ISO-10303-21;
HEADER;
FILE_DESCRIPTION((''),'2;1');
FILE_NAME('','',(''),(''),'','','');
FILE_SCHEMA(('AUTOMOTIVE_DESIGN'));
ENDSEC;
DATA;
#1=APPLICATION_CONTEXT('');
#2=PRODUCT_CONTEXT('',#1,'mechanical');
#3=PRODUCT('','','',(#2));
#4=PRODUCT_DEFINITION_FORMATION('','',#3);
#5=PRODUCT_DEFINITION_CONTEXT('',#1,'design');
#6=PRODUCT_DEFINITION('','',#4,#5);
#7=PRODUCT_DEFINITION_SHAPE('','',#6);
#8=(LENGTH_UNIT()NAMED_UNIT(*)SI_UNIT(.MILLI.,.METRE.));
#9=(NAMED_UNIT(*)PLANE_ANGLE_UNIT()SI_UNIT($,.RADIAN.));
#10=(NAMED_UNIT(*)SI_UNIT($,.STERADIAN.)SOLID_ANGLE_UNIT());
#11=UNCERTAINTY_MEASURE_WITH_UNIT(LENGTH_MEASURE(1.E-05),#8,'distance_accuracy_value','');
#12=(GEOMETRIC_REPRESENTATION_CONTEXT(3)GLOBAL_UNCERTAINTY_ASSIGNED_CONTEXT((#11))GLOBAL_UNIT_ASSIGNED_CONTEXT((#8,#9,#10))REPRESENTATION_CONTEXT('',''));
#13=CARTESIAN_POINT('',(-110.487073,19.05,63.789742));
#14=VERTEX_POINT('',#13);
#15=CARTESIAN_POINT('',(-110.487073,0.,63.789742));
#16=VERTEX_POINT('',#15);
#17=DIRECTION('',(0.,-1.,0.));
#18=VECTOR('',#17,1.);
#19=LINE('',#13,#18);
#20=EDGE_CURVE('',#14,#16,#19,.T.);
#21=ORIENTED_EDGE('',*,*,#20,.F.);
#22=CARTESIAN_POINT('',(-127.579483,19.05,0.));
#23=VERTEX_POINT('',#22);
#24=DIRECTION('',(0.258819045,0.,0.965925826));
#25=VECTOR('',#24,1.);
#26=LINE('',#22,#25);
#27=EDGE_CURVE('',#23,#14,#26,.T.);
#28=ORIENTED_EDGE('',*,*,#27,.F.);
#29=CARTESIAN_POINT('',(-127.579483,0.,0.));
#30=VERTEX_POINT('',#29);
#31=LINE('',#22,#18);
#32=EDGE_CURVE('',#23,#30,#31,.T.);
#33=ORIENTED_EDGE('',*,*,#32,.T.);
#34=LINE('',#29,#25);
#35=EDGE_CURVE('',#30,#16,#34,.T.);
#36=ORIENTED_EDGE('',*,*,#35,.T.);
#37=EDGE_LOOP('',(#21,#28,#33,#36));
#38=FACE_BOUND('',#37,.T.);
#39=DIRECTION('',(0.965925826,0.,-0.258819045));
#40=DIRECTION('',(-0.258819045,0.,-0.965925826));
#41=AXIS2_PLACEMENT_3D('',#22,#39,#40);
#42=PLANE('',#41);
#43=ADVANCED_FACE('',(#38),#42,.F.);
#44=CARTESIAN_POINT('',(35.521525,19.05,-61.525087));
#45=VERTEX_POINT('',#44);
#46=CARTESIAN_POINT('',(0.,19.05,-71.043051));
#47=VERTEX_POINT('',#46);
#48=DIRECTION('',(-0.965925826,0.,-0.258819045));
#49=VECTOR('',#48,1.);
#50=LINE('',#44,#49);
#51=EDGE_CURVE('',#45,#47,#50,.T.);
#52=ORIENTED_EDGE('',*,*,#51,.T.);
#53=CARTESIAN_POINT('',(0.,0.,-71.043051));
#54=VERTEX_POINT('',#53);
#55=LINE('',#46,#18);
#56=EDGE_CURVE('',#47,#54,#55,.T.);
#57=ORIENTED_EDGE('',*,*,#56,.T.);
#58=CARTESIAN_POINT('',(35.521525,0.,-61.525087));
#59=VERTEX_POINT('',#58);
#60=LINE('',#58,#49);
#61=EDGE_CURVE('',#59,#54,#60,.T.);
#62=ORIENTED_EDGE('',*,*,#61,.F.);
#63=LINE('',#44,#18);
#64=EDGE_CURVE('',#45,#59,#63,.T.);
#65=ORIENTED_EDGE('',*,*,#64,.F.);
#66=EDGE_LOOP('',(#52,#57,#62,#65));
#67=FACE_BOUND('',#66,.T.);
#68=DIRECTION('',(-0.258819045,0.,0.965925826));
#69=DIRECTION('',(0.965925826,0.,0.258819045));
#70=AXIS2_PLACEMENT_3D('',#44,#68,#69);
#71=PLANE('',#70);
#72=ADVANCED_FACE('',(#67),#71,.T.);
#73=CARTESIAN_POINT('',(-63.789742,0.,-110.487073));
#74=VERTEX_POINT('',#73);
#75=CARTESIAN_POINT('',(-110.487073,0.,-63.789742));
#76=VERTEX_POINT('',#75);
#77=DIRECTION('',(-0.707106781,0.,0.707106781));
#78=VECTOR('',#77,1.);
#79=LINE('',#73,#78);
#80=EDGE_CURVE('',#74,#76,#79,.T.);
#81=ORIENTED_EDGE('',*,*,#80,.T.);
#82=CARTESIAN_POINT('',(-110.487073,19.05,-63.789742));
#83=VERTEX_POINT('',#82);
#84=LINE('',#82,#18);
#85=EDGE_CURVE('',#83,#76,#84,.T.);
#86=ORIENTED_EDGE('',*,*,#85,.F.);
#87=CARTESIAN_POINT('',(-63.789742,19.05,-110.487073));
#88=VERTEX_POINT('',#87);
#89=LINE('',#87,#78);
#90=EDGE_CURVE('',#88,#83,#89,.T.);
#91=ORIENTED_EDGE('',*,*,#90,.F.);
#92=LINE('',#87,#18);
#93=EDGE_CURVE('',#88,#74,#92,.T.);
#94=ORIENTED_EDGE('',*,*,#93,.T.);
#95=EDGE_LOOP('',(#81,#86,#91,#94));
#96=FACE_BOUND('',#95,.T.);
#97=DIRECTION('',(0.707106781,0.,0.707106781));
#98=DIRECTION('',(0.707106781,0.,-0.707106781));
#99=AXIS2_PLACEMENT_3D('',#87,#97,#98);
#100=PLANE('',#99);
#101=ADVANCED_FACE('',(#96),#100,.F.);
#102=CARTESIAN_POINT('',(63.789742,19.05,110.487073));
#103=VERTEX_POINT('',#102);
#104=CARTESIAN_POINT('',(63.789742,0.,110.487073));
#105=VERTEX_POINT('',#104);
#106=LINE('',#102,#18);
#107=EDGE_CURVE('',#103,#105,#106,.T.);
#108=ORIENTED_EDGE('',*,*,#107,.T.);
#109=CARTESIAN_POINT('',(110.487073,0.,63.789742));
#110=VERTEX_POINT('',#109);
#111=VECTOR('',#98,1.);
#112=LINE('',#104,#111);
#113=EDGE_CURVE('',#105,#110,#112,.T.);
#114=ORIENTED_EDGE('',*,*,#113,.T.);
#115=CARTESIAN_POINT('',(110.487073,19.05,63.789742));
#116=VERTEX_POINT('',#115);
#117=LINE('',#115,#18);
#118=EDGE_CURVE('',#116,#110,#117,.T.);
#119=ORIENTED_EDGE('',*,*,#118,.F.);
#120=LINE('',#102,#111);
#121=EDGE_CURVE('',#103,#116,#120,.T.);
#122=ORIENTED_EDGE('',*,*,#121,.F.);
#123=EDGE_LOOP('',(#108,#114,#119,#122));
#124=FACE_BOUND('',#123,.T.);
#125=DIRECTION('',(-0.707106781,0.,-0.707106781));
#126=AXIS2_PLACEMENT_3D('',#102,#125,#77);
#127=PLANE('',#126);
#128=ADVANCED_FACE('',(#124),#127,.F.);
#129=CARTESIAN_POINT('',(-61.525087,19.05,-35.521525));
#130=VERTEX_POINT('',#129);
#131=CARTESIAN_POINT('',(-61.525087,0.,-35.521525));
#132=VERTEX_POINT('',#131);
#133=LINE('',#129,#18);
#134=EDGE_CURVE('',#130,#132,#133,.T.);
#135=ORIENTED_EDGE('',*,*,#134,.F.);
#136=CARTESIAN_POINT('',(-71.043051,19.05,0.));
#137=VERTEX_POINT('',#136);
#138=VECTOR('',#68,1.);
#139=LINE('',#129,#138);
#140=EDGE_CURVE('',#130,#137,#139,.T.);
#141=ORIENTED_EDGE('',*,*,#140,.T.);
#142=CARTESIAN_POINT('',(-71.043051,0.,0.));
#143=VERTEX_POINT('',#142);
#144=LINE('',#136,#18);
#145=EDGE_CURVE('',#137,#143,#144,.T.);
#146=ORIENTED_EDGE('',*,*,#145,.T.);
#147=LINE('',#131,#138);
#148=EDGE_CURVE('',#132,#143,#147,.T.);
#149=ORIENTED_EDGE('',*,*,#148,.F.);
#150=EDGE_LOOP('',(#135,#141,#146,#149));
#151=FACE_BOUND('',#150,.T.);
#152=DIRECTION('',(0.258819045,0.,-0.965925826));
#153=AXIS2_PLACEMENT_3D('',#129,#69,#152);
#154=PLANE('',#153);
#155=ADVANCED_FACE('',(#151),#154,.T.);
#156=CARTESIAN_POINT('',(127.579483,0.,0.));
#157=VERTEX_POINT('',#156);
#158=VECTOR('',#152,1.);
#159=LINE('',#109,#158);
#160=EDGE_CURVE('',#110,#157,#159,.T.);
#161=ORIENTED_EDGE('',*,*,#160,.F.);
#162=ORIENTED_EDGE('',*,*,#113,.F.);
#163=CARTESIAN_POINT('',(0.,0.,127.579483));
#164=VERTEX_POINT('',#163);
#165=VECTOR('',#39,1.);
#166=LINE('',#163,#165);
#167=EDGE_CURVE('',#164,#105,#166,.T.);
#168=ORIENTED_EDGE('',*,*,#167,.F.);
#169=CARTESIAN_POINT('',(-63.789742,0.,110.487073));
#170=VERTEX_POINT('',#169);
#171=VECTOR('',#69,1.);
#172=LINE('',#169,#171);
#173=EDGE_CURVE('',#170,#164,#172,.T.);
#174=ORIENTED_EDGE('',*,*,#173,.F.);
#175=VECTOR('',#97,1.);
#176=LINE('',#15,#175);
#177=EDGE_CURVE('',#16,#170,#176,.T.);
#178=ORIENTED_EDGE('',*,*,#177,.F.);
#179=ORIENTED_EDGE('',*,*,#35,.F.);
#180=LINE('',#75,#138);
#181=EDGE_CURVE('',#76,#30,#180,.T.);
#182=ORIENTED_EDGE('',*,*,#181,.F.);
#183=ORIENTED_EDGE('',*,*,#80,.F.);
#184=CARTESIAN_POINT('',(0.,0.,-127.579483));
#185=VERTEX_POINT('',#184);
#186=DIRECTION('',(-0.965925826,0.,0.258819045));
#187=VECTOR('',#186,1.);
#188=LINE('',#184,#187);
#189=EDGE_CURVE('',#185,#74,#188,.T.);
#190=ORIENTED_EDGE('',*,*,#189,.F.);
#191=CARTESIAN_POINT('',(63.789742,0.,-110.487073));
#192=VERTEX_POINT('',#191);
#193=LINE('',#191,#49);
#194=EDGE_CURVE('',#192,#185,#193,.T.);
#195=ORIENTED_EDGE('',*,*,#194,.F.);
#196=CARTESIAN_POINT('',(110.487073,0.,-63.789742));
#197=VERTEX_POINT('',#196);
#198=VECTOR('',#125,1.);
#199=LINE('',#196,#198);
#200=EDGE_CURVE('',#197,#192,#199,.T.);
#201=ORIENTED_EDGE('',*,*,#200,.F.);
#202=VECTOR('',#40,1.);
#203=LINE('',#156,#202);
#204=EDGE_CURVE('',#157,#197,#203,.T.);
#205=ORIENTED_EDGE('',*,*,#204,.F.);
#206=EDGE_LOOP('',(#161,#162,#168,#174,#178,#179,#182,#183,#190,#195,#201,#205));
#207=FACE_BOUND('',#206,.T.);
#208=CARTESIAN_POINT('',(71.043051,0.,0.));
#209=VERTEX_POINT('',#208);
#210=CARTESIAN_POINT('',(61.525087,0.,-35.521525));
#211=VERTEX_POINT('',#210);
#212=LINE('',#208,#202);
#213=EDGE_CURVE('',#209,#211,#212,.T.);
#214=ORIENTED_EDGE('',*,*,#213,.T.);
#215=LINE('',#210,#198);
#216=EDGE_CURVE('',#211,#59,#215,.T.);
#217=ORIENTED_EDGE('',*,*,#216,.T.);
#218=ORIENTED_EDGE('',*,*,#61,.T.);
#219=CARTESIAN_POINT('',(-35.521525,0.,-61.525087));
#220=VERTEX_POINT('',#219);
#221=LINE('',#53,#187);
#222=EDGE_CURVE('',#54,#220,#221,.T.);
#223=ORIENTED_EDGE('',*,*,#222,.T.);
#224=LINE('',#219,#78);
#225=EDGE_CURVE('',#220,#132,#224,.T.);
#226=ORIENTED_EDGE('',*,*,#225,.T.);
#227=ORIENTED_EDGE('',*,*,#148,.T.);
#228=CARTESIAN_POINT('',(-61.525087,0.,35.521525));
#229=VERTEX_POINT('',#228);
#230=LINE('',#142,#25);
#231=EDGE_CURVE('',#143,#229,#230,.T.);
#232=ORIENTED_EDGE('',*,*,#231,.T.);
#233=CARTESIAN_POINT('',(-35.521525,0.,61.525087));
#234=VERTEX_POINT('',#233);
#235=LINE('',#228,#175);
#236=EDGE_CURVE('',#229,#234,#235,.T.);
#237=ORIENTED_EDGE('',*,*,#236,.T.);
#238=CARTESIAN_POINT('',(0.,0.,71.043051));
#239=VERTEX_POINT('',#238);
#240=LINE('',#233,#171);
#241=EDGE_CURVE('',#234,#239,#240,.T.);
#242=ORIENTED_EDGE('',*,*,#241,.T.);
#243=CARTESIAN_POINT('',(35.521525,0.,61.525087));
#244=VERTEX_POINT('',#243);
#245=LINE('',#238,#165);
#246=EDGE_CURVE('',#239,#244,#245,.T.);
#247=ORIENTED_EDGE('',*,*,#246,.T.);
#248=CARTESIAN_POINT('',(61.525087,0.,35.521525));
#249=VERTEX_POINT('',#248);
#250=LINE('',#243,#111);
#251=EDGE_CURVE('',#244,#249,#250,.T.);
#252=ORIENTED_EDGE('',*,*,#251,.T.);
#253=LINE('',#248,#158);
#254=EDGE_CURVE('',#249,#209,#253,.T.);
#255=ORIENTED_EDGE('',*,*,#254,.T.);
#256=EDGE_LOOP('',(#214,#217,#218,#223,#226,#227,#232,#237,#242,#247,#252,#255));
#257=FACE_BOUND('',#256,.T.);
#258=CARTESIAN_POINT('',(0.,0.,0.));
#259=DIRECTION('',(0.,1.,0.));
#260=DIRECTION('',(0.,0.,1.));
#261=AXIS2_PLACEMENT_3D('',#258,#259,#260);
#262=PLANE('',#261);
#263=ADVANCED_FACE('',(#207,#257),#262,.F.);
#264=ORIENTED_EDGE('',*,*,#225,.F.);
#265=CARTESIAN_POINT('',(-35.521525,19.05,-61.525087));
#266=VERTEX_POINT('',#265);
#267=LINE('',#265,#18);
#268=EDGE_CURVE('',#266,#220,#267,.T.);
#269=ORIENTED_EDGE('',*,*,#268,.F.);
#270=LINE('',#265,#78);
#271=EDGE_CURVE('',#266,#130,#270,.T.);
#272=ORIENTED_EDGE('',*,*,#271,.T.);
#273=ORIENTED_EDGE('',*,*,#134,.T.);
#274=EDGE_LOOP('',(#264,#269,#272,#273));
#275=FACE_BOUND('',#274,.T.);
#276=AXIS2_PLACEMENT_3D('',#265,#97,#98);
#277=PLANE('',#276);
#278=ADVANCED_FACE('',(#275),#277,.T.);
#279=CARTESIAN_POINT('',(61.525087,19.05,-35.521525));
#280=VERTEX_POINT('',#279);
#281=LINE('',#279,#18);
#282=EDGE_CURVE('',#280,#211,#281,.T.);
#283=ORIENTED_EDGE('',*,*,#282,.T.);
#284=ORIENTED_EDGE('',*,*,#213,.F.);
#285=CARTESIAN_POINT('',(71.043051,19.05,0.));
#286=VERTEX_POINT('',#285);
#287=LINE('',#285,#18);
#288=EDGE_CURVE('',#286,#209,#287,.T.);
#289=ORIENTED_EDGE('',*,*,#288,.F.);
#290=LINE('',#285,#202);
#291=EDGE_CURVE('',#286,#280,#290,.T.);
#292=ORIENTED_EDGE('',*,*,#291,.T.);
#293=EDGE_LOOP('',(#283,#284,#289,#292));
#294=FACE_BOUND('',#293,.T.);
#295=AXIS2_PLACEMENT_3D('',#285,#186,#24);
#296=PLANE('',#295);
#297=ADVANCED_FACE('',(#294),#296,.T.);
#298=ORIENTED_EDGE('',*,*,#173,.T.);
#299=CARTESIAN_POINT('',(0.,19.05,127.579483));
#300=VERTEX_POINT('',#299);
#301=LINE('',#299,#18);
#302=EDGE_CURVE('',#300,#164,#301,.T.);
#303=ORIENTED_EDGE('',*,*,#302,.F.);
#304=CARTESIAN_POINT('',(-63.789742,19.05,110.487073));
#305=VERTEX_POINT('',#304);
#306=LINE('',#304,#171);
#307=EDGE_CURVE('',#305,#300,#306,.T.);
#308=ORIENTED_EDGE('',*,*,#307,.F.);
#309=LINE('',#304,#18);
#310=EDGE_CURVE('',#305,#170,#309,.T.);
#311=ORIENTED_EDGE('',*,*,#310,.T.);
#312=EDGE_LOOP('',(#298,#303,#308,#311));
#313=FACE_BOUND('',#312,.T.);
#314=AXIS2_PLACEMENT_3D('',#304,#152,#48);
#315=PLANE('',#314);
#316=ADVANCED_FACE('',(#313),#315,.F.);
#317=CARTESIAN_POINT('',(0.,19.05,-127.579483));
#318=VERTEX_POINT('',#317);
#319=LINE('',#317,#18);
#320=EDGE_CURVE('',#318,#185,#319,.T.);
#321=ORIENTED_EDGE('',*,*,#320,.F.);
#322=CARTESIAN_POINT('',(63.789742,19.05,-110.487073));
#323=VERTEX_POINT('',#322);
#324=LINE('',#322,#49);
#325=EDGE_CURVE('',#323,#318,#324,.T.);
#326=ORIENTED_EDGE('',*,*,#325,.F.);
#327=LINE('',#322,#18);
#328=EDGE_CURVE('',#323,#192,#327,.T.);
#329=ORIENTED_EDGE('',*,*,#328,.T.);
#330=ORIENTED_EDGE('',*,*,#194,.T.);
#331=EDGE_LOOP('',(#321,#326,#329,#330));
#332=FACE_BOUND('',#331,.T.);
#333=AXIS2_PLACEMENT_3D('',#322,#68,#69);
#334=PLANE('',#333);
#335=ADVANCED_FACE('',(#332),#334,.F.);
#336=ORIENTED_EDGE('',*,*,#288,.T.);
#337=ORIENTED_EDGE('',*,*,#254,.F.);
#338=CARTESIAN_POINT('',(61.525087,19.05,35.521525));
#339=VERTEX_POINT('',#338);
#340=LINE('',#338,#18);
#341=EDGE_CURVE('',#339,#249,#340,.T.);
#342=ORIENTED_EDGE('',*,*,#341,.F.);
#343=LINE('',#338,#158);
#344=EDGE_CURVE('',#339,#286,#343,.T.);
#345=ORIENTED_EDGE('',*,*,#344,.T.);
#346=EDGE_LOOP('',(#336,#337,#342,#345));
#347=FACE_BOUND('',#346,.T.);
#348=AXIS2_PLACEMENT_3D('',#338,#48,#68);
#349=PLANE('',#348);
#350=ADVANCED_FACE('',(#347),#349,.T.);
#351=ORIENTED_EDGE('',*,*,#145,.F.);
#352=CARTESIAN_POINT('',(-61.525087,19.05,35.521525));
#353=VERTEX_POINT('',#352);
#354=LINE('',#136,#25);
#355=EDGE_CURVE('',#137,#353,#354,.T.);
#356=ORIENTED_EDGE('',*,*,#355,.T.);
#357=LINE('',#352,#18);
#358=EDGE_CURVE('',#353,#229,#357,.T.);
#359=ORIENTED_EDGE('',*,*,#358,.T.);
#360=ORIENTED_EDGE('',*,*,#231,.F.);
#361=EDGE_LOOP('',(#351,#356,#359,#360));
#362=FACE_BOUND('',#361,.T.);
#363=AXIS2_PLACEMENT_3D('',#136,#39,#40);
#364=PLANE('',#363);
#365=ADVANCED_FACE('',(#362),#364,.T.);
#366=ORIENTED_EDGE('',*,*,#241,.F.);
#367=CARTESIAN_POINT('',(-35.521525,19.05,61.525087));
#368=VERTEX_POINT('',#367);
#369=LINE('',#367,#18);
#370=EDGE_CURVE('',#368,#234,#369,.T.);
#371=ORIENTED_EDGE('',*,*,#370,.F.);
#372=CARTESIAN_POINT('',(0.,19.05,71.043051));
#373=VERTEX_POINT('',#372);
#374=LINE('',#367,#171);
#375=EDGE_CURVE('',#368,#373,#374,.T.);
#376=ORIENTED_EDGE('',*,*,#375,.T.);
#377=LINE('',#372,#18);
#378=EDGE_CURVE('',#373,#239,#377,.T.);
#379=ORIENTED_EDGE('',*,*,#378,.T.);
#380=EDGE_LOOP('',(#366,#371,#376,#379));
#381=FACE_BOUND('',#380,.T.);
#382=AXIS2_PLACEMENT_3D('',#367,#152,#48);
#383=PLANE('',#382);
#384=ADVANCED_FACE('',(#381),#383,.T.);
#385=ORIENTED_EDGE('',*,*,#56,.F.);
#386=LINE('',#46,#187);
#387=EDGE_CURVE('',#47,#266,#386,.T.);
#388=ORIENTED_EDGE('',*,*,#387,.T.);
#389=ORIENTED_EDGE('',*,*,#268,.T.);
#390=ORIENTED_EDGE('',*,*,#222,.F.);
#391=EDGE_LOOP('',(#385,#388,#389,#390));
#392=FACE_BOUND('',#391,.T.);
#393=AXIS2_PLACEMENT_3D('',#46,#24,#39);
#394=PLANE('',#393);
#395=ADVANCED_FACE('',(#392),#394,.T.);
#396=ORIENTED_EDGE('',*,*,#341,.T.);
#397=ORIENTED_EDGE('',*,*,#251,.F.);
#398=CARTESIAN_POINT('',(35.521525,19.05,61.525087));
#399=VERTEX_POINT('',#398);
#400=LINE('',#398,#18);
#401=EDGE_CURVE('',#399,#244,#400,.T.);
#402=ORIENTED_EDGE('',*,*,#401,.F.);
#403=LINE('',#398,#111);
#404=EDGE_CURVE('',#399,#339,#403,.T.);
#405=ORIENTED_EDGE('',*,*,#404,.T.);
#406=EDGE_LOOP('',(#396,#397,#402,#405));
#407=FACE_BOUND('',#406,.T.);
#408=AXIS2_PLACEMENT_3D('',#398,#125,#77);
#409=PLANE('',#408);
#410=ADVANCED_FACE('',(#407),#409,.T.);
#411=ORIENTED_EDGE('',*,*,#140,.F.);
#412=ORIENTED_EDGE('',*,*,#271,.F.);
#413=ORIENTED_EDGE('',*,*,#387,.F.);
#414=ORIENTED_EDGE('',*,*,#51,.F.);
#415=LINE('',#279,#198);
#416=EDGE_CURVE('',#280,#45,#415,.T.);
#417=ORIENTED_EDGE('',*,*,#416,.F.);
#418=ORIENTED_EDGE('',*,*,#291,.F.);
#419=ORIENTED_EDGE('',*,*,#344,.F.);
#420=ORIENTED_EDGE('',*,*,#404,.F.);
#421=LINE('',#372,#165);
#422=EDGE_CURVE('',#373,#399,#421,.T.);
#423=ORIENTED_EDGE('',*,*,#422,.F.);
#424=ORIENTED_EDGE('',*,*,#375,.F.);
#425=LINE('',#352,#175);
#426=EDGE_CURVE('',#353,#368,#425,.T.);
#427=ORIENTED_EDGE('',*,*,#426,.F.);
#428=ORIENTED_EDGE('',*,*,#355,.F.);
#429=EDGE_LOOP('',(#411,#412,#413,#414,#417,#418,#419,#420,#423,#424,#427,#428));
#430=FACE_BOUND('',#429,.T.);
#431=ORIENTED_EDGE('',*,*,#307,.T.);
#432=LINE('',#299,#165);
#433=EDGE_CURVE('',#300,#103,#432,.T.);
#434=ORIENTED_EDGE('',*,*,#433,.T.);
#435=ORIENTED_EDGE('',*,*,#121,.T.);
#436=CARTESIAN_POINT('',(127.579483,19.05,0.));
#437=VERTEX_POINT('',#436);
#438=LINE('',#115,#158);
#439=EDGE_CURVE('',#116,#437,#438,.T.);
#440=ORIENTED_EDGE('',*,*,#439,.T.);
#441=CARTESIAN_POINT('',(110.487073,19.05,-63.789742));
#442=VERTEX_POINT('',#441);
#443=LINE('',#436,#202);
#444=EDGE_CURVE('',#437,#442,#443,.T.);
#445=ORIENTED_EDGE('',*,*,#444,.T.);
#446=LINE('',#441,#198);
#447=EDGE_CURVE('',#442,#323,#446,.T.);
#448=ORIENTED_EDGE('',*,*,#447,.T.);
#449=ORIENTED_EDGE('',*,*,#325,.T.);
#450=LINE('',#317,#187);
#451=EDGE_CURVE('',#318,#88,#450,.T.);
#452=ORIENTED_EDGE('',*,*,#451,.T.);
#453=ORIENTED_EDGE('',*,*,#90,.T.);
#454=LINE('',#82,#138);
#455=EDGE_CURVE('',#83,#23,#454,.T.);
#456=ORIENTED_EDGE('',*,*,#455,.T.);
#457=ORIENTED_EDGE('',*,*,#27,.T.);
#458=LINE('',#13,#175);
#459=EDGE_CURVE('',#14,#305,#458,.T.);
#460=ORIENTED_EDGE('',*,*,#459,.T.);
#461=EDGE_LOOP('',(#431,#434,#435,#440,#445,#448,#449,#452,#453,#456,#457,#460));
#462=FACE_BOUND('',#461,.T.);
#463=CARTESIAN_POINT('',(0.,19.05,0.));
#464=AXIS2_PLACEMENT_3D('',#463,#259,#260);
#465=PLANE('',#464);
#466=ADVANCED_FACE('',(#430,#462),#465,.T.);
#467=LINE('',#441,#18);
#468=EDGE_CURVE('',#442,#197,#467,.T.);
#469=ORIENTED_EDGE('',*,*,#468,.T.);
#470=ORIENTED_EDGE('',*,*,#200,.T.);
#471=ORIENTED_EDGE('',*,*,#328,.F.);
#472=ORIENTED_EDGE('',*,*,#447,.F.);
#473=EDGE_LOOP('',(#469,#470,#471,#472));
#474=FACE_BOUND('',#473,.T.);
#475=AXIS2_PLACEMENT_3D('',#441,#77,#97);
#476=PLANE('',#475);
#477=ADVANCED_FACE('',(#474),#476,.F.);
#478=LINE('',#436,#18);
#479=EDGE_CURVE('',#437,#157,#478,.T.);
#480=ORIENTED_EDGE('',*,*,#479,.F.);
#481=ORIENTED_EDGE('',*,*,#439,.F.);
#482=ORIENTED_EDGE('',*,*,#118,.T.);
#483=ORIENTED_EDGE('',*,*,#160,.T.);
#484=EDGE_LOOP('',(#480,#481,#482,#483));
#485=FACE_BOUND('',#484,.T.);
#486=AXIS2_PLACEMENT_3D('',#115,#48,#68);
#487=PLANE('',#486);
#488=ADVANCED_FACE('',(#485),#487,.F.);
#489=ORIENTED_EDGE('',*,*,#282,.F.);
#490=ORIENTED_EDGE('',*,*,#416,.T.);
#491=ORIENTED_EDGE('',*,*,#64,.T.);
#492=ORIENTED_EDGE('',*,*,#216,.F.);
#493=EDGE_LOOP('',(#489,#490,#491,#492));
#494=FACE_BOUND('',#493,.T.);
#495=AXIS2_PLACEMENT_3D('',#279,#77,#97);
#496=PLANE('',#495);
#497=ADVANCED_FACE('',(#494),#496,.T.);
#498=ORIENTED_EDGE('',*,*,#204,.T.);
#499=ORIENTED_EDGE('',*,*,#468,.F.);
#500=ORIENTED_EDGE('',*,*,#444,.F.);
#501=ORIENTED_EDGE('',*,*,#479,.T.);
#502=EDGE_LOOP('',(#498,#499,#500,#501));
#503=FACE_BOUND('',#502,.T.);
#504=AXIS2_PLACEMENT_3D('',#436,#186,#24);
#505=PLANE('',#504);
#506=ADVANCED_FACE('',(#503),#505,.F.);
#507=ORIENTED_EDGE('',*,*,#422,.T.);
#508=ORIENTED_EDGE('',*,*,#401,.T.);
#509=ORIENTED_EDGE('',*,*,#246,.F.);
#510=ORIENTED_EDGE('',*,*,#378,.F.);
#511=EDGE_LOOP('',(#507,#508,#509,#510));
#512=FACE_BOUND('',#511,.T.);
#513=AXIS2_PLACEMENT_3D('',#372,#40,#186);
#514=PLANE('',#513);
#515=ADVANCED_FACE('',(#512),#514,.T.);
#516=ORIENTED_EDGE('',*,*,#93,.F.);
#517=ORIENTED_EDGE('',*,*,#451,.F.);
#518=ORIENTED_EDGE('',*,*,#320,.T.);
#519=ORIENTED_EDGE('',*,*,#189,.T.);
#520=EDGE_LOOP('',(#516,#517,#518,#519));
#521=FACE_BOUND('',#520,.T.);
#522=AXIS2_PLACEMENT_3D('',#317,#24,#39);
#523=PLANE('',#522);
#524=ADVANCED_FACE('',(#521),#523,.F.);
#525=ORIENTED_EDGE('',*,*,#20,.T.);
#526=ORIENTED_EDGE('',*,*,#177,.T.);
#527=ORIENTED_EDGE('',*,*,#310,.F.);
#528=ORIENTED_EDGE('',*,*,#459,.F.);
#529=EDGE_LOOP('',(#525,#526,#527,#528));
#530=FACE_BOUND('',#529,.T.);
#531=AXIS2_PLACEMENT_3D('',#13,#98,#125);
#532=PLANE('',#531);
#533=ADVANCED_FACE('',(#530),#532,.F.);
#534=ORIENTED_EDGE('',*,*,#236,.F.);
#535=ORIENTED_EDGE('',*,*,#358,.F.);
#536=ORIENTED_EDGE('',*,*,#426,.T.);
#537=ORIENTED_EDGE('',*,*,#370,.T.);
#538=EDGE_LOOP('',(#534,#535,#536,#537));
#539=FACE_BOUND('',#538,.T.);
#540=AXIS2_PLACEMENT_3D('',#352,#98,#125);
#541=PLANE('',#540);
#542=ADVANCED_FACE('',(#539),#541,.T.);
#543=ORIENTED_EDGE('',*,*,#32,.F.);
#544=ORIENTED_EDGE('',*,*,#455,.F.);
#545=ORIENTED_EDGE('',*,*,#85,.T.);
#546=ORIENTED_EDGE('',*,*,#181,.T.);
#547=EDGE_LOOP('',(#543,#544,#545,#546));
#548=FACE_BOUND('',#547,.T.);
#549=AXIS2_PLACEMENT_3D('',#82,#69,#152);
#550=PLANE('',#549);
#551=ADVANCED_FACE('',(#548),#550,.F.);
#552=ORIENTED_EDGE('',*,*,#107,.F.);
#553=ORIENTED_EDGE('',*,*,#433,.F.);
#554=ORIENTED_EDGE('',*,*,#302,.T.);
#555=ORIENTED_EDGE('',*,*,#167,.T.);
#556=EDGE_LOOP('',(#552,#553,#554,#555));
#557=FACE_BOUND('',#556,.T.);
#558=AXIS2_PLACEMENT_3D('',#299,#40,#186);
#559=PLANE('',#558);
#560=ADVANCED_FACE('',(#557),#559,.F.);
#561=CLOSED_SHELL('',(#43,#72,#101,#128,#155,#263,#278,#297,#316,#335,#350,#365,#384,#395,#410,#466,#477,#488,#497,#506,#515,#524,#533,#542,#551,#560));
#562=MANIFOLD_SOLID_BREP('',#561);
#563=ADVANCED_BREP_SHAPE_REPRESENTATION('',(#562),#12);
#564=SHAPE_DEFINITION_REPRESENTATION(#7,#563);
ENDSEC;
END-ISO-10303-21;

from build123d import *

# Parameters (mm, degrees)
BOSS_EXTRUDE2_DEPTH = 19.05


with BuildPart() as part:
    # Sketch2 → Boss-Extrude2 (new body)
    with BuildSketch(Plane(origin=(0, 0, 0), x_dir=(1, 0, 0), z_dir=(0, 1, 0))):
        Polygon((-127.579483136, 0), (-110.487073398, -63.789741568), (-63.789741568, -110.487073398), (0, -127.579483136), (63.789741568, -110.487073398), (110.487073398, -63.789741568), (127.579483136, 0), (110.487073398, 63.789741568), (63.789741568, 110.487073398), (0, 127.579483136), (-63.789741568, 110.487073398), (-110.487073398, 63.789741568), align=None)
        Polygon((-71.043050924, 0), (-61.525086863, -35.521525462), (-35.521525462, -61.525086863), (0, -71.043050924), (35.521525462, -61.525086863), (61.525086863, -35.521525462), (71.043050924, 0), (61.525086863, 35.521525462), (35.521525462, 61.525086863), (0, 71.043050924), (-35.521525462, 61.525086863), (-61.525086863, 35.521525462), align=None, mode=Mode.SUBTRACT)
    extrude(amount=BOSS_EXTRUDE2_DEPTH)


solid = part.part
